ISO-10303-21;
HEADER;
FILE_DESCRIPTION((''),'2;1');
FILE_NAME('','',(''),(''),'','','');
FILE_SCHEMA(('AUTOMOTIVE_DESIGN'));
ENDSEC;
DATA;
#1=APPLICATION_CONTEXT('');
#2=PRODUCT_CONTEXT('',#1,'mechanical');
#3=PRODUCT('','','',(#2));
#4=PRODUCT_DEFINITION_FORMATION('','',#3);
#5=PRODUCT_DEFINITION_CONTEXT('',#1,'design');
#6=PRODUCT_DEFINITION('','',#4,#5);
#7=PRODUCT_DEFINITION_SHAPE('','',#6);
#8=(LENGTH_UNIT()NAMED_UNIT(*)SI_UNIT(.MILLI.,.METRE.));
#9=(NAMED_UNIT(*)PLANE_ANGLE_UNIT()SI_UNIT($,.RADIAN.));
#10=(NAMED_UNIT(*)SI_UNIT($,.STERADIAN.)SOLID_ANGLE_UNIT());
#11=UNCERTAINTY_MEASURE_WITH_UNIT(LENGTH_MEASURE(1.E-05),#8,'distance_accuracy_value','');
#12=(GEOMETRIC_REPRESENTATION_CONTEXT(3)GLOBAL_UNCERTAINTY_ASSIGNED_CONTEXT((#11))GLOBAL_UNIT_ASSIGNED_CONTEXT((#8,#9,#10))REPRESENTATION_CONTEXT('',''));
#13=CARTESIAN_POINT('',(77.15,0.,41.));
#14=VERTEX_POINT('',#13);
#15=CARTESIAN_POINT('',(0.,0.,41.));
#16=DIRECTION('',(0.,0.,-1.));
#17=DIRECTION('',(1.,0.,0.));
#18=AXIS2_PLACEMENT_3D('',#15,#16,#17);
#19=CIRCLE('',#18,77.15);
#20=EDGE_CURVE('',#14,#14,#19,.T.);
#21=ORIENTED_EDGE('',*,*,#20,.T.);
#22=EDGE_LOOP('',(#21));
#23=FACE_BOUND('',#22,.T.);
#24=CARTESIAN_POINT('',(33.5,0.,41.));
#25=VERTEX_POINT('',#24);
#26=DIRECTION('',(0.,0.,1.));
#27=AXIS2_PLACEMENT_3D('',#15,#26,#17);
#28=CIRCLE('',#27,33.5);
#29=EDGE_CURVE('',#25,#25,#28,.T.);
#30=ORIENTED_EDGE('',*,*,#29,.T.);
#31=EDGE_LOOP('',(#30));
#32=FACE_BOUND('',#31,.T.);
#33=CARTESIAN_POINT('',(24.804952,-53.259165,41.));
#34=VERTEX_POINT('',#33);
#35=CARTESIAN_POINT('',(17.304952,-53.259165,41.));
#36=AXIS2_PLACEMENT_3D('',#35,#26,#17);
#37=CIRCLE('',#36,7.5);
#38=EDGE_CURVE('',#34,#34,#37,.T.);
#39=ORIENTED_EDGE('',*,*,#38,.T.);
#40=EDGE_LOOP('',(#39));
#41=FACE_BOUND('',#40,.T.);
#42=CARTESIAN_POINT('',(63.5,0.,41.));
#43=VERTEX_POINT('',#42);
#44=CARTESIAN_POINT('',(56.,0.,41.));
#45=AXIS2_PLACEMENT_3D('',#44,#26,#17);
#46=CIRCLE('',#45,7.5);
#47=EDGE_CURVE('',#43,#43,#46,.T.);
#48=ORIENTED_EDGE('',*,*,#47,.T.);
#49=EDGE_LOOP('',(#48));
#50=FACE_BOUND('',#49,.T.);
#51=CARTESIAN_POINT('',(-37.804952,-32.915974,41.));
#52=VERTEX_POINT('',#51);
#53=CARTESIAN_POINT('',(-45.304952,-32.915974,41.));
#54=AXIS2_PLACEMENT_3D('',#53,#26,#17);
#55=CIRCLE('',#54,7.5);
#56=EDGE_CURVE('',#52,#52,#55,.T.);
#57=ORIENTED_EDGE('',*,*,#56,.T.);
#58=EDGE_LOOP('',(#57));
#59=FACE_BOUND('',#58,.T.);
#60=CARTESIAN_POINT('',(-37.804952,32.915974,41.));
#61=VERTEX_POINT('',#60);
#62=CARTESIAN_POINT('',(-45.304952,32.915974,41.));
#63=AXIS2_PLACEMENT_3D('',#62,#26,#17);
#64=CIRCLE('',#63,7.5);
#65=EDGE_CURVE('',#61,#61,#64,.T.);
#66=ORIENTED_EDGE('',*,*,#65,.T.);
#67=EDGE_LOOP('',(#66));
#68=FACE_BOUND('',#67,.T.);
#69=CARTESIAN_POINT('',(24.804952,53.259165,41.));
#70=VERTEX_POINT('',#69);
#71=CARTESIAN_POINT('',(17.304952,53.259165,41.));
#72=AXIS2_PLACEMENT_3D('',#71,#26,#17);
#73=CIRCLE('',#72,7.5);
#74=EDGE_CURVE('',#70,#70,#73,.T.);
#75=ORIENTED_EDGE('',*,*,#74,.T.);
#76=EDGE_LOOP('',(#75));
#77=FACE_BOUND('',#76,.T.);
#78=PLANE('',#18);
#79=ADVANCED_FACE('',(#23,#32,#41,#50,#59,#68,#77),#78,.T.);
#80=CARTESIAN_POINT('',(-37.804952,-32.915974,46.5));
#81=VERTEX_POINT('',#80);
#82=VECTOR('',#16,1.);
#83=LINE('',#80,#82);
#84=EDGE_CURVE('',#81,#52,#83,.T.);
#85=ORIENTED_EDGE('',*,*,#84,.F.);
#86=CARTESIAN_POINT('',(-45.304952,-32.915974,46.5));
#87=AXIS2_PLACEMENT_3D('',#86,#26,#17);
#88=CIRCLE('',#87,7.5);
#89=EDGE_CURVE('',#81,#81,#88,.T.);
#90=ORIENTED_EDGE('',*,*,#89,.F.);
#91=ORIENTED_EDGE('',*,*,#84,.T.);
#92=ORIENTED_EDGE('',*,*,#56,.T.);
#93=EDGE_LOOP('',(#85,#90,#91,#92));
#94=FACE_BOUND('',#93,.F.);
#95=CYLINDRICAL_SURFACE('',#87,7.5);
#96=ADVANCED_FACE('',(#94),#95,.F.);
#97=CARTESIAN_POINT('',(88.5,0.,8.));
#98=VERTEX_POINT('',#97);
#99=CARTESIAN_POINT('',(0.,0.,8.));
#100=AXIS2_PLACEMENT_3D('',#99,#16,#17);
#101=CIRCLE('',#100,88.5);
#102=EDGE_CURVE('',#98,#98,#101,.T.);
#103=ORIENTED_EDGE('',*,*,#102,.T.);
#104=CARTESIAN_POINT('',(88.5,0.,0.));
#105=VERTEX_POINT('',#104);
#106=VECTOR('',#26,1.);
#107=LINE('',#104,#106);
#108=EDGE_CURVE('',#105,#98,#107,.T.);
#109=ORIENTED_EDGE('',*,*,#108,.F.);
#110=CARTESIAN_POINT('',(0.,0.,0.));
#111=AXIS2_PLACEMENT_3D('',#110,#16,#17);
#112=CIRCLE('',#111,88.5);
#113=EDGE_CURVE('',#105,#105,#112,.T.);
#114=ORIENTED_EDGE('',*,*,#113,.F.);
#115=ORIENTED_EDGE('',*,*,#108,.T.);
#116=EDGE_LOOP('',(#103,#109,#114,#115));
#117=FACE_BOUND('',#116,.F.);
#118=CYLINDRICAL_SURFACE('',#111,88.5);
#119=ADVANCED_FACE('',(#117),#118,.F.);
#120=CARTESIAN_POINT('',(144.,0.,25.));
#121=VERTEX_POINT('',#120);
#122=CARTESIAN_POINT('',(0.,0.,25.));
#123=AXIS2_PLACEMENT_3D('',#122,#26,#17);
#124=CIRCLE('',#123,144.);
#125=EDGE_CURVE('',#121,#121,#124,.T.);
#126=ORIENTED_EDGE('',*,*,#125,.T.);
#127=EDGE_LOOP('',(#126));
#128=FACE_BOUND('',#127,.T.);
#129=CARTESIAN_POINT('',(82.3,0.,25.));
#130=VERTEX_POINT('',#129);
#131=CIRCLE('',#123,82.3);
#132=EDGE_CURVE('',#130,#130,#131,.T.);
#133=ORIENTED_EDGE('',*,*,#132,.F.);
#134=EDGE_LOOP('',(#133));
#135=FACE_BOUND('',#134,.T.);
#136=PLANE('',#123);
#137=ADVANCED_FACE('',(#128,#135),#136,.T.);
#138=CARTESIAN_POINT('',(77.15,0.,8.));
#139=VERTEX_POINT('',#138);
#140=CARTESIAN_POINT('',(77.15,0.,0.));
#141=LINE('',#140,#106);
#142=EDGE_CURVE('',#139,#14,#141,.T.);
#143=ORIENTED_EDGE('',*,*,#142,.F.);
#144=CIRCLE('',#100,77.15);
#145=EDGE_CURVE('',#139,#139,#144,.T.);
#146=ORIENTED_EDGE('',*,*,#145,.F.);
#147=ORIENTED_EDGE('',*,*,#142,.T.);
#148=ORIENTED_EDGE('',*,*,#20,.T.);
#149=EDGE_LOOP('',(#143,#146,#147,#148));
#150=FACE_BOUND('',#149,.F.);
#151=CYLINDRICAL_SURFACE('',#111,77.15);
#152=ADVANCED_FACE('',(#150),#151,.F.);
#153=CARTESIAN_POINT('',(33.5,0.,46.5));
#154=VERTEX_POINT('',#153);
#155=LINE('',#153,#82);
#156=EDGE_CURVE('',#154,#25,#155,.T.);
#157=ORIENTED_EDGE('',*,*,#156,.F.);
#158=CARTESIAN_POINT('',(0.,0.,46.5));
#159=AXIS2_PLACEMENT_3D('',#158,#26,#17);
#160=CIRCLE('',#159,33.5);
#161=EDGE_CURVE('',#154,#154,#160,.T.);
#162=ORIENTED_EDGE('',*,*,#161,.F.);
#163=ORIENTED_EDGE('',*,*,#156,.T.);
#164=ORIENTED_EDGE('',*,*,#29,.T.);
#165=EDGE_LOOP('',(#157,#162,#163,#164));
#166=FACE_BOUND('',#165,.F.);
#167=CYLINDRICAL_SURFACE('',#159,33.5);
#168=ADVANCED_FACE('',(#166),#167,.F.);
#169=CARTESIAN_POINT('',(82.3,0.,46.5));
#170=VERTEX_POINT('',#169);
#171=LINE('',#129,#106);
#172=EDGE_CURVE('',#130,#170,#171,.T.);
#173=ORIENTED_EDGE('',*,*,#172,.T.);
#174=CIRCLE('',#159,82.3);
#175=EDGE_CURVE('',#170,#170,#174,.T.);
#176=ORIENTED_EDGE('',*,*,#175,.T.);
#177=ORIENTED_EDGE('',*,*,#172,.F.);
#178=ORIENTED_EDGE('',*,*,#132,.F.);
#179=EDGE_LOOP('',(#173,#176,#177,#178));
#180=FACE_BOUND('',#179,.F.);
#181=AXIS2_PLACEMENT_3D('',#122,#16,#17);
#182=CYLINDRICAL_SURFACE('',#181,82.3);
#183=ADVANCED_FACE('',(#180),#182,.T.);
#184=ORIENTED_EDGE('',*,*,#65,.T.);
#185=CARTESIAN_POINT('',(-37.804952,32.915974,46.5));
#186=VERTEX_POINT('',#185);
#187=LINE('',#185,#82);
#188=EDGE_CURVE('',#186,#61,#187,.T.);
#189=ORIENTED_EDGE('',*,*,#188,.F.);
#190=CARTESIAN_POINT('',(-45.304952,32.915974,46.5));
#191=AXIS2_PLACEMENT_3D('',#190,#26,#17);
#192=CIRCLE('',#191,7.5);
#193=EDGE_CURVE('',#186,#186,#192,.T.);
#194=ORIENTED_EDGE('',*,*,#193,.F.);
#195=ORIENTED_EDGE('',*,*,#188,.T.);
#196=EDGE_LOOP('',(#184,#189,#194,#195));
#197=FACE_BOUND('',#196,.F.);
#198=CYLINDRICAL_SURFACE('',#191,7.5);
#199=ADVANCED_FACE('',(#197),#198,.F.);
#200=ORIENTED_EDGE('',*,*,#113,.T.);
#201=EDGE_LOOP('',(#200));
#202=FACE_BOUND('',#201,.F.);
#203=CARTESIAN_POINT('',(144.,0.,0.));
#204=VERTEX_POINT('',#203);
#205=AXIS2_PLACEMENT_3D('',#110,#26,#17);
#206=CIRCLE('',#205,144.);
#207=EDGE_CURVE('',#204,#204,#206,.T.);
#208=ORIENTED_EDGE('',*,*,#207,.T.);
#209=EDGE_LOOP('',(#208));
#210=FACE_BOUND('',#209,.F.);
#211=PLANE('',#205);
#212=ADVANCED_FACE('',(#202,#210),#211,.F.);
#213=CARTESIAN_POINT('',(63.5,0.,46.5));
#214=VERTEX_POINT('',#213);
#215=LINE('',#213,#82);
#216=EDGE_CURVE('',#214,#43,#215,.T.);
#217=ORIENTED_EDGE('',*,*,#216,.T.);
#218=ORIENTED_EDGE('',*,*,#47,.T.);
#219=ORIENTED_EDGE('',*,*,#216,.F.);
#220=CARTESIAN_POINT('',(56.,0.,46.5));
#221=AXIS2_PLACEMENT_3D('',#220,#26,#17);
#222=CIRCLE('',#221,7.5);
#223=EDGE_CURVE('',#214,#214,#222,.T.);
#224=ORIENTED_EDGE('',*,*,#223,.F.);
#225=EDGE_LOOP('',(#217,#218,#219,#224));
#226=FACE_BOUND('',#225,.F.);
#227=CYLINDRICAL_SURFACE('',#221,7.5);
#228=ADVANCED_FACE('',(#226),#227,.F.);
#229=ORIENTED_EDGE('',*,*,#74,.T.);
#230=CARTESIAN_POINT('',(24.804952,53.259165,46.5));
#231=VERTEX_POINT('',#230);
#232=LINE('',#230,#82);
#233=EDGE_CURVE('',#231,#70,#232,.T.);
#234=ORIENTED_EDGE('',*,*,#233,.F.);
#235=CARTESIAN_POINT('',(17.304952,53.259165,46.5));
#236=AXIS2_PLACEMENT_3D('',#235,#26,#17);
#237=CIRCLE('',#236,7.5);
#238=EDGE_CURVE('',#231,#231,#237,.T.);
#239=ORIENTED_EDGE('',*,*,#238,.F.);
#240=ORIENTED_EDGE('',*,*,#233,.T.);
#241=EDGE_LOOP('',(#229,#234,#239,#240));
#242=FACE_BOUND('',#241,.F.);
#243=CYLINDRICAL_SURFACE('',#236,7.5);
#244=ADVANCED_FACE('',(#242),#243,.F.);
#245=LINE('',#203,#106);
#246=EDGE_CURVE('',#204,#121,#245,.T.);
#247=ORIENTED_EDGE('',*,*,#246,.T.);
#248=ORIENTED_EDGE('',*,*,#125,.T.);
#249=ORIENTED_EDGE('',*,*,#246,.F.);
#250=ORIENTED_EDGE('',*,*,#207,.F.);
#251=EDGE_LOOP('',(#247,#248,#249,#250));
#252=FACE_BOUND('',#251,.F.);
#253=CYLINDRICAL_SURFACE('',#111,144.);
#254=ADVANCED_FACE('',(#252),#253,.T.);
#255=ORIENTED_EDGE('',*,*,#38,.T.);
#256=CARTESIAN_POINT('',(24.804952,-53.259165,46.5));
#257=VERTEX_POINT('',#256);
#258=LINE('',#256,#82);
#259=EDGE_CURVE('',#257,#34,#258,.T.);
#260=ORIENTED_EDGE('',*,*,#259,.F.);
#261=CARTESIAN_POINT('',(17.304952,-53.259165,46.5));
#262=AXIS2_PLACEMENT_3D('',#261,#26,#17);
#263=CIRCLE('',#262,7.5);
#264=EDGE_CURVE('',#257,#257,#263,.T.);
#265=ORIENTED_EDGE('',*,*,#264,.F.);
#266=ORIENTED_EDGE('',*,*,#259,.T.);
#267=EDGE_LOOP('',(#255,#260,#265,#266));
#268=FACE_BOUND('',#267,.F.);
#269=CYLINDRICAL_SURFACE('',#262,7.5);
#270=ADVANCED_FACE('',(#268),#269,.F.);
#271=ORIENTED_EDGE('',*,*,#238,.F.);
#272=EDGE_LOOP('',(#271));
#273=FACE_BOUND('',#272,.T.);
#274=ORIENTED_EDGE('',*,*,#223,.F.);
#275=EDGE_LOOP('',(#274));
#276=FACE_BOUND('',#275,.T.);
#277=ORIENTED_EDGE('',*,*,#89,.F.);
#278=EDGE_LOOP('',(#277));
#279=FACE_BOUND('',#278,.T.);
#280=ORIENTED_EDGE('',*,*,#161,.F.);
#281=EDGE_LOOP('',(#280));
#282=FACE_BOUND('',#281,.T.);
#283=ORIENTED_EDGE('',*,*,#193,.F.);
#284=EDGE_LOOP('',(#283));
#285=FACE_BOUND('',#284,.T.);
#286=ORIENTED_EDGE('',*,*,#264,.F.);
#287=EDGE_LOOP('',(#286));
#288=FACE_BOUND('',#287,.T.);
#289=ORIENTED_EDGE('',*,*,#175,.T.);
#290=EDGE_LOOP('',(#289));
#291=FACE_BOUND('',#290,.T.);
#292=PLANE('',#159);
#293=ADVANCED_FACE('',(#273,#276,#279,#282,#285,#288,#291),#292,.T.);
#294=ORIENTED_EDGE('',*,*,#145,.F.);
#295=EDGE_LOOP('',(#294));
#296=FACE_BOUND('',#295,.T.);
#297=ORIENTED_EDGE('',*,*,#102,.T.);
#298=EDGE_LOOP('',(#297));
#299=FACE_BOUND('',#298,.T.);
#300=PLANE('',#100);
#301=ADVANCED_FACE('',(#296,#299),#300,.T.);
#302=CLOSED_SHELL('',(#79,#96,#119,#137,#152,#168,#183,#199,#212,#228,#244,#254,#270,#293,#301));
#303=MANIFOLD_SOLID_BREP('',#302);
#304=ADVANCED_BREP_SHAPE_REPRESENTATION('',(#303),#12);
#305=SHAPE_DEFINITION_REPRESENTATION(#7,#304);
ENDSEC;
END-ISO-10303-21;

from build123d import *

# Parameters (mm, degrees)
F0_R     = 144
F1_DEPTH = 25
F2_R     = 82.3
F3_DEPTH = 21.5
F4_R     = 77.15
F5_DEPTH = 41
F6_R     = 88.5
F7_DEPTH = 8
F8_R     = 33.5
F8_R_2   = 7.5
F9_DEPTH = 25


with BuildPart() as f1:
    # F0 (on Top) → F1 (new body)
    with BuildSketch(Plane.XY):
        Circle(F0_R)
    extrude(amount=F1_DEPTH)

    # F2 (on face) → F3 (join)
    with BuildSketch(Plane.XY.offset(25)):
        Circle(F2_R)
    extrude(amount=F3_DEPTH)

    # F4 (on face) → F5 (cut)
    with BuildSketch(Plane(origin=(0, 0, 0), x_dir=(1, 0, 0), z_dir=(0, 0, -1))):
        Circle(F4_R)
    extrude(amount=-F5_DEPTH, mode=Mode.SUBTRACT)

    # F6 (on face) → F7 (cut)
    with BuildSketch(Plane(origin=(0, 0, 0), x_dir=(1, 0, 0), z_dir=(0, 0, -1))):
        Circle(F6_R)
    extrude(amount=-F7_DEPTH, mode=Mode.SUBTRACT)

    # F8 (on face) → F9 (cut)
    with BuildSketch(Plane.XY.offset(46.5)):
        Circle(F8_R)
        with Locations((56, 0)):
            Circle(F8_R_2)
        with Locations((17.304952, 53.259165)):
            Circle(F8_R_2)
        with Locations((-45.304952, 32.915974)):
            Circle(F8_R_2)
        with Locations((-45.304952, -32.915974)):
            Circle(F8_R_2)
        with Locations((17.304952, -53.259165)):
            Circle(F8_R_2)
    extrude(amount=-F9_DEPTH, mode=Mode.SUBTRACT)


solid = f1.part
